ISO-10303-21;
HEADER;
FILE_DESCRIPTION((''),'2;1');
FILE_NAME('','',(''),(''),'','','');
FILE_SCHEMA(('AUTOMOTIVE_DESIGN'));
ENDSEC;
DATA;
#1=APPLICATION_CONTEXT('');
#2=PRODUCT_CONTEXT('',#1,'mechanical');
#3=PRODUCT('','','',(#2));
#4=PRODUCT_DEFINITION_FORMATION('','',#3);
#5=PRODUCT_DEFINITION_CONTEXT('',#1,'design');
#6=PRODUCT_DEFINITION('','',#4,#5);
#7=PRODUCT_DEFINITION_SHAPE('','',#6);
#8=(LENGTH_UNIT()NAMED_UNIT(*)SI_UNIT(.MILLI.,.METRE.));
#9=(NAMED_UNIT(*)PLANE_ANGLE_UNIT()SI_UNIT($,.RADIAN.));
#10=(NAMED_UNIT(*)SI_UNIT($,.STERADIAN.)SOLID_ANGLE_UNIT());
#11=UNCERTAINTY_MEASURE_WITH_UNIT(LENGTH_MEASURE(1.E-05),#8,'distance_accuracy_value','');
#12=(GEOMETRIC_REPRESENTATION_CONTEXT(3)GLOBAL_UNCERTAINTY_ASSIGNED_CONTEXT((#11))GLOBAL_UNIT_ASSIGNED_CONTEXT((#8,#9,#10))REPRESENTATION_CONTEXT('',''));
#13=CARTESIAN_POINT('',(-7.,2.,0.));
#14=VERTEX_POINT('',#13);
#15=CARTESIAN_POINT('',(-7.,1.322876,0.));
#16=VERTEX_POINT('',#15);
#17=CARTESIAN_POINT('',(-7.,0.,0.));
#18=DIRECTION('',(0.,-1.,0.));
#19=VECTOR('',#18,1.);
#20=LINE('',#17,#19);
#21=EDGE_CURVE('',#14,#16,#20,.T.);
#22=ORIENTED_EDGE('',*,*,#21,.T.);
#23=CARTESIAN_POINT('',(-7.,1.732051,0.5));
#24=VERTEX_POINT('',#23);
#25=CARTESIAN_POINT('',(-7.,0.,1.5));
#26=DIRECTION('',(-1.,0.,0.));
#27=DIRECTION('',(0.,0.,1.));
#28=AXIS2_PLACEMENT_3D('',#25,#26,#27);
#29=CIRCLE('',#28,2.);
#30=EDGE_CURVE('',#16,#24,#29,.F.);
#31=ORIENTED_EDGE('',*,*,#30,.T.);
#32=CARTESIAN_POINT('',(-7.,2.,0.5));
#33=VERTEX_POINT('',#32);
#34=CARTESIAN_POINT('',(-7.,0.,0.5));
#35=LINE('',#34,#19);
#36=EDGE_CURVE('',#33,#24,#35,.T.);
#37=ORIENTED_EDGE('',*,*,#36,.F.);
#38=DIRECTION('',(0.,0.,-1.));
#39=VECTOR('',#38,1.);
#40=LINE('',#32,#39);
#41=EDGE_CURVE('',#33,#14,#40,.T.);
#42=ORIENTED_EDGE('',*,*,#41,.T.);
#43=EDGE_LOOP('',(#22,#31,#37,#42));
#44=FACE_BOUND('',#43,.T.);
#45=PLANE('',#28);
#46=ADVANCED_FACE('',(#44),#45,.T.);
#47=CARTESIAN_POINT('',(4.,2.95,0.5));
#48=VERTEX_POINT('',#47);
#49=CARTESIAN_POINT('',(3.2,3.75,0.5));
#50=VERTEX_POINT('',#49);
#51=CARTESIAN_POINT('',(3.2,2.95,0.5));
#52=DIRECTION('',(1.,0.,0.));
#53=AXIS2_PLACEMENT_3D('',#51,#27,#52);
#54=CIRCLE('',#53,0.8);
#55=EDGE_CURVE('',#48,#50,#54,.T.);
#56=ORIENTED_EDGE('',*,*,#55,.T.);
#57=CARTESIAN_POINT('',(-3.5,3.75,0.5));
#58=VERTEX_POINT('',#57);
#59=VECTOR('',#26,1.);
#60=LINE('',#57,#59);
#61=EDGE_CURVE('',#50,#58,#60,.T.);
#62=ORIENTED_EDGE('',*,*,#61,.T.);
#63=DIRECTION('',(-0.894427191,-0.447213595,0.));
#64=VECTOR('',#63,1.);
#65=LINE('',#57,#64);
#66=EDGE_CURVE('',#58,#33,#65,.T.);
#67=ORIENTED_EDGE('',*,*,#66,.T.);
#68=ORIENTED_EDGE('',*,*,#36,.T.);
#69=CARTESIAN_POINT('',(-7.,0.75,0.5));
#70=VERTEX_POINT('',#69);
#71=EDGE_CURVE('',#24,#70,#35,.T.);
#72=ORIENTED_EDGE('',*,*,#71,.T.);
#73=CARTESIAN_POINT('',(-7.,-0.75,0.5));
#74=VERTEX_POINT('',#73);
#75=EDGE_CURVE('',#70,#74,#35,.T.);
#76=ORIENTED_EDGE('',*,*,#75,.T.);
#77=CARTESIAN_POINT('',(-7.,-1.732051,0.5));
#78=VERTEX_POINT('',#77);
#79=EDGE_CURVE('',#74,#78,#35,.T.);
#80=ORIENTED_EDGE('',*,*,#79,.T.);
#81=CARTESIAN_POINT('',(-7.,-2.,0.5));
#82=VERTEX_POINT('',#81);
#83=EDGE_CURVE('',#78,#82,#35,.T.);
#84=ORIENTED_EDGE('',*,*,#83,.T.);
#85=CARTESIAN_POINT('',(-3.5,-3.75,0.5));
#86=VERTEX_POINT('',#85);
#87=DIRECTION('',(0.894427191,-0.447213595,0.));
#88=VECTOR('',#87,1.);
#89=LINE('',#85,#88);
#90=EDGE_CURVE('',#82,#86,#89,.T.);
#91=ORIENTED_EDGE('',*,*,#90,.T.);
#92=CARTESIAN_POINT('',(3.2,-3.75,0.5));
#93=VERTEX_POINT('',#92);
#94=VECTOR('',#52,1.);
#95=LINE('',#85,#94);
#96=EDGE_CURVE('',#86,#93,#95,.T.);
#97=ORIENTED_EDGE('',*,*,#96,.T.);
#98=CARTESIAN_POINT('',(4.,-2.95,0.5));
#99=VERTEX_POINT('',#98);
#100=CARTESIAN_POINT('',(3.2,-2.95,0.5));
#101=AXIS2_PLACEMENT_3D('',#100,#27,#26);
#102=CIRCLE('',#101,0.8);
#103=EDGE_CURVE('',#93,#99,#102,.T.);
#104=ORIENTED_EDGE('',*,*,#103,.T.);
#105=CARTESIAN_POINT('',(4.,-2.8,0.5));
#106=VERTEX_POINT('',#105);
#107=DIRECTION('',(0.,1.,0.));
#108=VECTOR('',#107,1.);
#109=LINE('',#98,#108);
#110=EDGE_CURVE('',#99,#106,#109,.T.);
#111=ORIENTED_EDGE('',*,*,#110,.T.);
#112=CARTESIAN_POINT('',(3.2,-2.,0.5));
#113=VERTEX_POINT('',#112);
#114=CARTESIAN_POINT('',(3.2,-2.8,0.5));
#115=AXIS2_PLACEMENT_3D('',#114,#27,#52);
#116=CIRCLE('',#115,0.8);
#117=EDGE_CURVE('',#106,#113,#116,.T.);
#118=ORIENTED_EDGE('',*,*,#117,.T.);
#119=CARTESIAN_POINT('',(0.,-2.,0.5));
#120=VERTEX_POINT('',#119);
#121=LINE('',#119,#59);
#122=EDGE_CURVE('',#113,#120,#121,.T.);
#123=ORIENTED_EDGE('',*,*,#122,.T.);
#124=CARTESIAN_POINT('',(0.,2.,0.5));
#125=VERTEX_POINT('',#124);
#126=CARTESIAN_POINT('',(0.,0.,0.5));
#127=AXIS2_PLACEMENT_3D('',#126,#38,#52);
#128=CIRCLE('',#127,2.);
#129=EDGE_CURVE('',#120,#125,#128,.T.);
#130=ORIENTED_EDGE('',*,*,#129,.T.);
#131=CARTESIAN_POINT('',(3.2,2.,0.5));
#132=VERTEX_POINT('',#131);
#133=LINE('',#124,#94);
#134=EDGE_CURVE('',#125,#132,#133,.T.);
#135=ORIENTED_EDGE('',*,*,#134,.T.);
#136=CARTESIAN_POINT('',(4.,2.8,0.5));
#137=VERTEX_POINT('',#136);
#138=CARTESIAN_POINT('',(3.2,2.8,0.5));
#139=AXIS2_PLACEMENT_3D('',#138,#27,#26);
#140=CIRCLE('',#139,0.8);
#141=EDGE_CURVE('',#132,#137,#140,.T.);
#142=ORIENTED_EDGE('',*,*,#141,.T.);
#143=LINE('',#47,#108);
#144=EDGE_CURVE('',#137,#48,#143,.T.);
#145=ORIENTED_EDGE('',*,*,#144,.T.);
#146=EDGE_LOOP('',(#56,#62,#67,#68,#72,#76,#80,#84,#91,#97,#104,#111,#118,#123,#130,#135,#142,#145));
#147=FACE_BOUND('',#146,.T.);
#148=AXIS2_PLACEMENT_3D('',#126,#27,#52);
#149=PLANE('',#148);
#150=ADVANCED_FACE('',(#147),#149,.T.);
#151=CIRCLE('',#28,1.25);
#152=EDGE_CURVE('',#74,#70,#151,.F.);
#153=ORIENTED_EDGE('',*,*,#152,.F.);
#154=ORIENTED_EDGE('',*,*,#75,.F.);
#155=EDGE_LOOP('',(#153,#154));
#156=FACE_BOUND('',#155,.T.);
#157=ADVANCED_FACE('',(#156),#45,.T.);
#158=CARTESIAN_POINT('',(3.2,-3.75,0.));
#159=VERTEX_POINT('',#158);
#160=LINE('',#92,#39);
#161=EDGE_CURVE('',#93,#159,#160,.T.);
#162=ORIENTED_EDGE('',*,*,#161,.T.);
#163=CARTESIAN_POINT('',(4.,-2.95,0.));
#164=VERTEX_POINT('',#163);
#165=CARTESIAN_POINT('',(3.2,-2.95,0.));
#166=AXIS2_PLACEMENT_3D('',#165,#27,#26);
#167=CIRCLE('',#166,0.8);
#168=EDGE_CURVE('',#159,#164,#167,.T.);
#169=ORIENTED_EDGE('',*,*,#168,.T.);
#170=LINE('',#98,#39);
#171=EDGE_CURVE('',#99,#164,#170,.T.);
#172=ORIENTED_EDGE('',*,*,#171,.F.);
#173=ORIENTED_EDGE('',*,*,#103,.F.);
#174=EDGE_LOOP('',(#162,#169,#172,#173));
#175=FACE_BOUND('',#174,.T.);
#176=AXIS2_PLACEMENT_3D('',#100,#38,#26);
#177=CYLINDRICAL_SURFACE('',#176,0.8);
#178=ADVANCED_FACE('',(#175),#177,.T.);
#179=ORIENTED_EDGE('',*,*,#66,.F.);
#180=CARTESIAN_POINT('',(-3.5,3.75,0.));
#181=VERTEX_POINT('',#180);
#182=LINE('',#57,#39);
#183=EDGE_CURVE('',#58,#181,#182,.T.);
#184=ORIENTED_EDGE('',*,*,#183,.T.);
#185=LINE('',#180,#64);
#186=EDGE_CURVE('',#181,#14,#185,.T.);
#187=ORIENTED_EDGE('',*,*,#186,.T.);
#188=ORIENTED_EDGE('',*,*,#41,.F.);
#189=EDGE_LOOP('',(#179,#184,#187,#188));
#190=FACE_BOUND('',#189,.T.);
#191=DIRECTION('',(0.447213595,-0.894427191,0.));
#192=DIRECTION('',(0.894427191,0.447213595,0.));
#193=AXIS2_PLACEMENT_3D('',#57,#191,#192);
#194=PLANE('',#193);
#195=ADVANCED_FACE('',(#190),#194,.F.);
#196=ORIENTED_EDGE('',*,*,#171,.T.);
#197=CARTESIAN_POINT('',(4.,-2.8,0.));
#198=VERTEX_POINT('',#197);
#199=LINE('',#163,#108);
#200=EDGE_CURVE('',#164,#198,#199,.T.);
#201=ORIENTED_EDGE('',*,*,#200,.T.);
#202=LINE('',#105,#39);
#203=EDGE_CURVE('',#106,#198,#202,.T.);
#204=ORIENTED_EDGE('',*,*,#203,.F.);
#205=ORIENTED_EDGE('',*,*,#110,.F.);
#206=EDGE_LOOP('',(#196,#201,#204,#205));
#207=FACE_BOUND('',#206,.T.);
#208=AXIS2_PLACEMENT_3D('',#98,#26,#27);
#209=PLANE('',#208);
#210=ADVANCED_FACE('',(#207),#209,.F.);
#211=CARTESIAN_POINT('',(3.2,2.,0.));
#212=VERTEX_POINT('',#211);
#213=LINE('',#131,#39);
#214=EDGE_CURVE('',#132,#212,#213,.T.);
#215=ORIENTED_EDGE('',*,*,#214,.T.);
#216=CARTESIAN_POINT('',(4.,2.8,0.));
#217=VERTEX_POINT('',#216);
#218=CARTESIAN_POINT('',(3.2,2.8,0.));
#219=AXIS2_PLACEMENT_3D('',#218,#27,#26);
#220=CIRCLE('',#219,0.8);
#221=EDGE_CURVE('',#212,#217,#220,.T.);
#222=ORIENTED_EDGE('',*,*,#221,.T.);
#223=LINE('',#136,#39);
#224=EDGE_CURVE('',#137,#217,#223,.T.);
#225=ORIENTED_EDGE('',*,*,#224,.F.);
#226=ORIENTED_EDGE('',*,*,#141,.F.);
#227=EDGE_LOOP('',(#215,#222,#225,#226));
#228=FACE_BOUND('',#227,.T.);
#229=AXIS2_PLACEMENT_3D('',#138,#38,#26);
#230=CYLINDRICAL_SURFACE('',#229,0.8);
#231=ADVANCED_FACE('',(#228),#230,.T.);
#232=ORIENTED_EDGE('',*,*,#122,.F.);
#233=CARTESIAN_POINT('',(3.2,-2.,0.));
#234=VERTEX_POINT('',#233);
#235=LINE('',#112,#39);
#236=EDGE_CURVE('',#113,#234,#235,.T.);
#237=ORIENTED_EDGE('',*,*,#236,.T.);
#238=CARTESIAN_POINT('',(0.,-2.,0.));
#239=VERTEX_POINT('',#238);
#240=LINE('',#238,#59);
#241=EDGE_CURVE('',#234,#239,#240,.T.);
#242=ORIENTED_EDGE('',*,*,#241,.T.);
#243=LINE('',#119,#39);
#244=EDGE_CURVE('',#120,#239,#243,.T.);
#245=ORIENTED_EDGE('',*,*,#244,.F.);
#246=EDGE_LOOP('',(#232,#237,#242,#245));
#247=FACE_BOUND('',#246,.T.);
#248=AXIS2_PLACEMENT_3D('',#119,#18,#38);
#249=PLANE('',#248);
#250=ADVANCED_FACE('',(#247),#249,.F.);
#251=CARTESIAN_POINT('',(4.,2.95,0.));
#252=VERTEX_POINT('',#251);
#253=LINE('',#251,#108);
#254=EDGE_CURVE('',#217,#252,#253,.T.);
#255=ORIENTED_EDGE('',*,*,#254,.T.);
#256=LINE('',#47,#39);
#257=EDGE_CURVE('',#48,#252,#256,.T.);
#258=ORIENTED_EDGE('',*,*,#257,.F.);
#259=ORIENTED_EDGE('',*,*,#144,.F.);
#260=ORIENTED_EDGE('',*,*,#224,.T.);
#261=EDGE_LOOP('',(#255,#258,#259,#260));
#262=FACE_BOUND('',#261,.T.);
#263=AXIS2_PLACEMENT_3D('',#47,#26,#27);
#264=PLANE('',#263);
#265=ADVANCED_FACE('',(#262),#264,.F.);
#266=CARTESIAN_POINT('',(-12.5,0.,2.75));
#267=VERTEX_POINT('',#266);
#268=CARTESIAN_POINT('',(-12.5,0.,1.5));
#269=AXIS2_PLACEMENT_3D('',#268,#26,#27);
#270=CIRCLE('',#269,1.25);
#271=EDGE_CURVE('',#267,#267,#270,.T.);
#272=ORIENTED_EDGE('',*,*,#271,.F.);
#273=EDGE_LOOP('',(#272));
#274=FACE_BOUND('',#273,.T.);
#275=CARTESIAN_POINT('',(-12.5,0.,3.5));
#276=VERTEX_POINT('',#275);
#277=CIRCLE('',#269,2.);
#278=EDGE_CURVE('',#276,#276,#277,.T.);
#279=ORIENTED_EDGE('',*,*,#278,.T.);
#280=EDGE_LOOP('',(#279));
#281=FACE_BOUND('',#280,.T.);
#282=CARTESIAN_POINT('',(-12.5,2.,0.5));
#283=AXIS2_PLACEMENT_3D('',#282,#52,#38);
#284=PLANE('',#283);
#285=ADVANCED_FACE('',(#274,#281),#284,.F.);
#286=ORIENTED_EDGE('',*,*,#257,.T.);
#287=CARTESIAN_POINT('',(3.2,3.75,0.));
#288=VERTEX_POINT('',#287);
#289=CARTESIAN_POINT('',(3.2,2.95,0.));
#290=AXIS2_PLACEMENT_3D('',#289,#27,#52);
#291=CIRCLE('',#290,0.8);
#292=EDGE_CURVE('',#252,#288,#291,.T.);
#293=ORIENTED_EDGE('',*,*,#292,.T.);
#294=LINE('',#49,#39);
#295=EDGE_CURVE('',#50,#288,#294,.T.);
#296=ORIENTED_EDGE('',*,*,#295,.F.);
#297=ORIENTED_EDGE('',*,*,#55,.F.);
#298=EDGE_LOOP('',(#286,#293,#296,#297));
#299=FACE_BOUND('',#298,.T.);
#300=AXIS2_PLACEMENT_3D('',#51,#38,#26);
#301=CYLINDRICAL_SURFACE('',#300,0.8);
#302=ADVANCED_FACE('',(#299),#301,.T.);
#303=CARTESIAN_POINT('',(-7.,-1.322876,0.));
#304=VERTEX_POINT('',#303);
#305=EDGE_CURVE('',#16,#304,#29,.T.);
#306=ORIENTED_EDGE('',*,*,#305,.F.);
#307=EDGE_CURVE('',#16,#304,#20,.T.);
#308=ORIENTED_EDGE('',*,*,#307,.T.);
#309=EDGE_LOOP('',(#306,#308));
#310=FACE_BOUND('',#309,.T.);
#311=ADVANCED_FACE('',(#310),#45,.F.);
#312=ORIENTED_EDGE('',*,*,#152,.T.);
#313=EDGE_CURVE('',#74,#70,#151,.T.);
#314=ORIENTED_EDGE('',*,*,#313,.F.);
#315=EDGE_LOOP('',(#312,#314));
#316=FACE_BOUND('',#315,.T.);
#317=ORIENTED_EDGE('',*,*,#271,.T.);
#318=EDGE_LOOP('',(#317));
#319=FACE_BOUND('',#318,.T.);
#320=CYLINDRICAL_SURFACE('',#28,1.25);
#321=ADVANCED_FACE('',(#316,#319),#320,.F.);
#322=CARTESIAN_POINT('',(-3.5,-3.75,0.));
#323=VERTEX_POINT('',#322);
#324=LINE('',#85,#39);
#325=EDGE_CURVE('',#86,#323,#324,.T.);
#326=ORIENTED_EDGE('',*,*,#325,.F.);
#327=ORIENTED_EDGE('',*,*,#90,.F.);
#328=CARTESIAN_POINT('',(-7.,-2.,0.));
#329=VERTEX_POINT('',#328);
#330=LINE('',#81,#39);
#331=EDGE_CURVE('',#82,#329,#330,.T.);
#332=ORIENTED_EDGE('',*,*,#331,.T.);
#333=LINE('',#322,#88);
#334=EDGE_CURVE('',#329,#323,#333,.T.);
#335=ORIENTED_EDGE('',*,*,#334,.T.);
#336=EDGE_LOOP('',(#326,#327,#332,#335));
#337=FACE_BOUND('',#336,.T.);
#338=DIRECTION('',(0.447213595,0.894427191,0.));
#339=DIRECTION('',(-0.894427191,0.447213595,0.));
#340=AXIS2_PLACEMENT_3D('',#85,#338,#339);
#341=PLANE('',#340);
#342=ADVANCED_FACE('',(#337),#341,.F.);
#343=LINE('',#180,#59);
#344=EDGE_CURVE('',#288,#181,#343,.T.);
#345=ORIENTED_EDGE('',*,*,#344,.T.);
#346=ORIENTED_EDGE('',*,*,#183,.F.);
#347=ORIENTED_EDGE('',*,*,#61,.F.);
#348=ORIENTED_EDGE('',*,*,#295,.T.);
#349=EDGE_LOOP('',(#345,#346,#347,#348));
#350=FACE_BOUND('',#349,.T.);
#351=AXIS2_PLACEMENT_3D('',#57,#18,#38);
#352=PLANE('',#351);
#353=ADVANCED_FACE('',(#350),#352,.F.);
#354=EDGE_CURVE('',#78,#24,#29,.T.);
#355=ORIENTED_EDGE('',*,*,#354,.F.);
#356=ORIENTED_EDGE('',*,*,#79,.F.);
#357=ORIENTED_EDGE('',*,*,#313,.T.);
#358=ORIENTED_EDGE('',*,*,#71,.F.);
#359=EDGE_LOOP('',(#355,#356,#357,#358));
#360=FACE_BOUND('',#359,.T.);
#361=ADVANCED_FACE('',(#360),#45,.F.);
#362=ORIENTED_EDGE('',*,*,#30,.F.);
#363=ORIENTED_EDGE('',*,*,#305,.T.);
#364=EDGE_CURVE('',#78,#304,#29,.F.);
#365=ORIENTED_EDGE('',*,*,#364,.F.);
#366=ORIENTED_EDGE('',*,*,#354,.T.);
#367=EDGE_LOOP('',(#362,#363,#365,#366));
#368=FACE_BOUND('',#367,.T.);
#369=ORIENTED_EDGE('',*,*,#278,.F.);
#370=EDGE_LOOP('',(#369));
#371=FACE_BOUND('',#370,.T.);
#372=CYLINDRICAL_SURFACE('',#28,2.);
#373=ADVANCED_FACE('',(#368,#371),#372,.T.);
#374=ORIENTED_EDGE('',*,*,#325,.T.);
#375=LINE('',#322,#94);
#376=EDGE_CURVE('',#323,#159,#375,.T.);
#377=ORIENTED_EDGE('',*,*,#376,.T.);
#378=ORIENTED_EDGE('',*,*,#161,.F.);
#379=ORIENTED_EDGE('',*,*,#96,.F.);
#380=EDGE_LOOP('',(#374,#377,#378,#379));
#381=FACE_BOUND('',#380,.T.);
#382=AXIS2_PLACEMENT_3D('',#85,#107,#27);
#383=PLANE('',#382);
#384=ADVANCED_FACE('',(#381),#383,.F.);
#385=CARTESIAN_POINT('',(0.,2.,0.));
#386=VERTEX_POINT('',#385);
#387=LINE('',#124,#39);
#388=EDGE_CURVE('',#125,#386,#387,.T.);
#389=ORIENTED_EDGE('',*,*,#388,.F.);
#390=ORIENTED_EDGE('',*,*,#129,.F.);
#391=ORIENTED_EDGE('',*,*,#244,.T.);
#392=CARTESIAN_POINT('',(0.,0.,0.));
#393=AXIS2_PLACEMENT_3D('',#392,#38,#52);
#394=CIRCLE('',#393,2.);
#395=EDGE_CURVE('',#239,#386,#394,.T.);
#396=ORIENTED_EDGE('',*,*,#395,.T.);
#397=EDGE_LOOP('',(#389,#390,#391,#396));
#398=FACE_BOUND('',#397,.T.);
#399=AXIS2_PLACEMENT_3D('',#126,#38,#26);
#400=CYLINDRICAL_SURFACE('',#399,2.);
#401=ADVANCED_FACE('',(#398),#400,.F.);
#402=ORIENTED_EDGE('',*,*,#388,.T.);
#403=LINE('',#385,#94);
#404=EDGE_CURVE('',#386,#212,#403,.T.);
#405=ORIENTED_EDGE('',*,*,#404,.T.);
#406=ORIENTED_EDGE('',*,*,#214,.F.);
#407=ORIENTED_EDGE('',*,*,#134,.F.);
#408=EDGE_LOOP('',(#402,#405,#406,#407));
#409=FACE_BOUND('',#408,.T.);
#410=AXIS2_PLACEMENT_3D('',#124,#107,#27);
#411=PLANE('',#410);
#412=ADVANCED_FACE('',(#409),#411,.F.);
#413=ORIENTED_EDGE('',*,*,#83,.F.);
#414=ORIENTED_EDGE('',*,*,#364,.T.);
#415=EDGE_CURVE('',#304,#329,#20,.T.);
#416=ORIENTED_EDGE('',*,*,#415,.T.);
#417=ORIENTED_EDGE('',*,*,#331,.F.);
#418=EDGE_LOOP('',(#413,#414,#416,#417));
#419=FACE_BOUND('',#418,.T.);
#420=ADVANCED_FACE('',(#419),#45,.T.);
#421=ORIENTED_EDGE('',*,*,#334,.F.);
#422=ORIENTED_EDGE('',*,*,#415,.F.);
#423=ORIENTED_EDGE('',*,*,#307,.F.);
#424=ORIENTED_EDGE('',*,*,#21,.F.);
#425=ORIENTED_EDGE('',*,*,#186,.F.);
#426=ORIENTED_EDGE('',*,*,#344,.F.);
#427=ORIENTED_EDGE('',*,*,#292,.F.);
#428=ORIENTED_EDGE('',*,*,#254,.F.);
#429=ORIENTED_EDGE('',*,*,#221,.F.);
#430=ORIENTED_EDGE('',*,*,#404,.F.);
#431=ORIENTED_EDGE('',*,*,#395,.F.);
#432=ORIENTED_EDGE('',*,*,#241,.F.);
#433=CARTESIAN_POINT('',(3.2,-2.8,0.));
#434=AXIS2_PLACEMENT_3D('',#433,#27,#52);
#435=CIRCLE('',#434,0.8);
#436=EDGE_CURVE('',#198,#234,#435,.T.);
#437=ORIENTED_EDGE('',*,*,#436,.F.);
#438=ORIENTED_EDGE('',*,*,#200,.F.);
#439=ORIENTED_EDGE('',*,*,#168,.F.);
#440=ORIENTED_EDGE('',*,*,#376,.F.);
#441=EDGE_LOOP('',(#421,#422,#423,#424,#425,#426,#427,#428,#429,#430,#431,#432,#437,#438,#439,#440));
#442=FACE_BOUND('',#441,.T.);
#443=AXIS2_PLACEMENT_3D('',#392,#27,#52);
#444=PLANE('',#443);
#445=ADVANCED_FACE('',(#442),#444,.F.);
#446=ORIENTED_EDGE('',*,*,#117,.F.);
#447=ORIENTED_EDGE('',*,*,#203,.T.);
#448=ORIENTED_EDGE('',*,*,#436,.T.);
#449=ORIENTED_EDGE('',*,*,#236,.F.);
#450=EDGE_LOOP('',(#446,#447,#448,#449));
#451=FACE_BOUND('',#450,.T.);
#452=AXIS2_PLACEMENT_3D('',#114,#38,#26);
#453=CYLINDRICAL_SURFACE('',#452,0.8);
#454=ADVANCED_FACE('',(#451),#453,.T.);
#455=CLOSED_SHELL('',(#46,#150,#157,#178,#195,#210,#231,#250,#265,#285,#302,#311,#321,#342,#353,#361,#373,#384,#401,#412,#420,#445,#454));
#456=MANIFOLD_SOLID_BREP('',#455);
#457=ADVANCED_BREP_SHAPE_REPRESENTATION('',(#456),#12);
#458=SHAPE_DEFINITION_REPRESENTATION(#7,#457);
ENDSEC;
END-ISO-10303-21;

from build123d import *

# Parameters (mm, degrees)
EXTRUDE_1_DEPTH     = 0.5
SKETCH_2_R          = 2
SKETCH_2_R_2        = 1.25
EXTRUDE_2_DEPTH     = 5.5
SKETCH_3_R          = 1.25
CUT_EXTRUDE_1_DEPTH = 5.5
SKETCH_4_R          = 4
SKETCH_4_R_2        = 2
CUT_EXTRUDE_2_DEPTH = 5.5


with BuildPart() as part:
    # 草图1 → 凸台-拉伸1 (new body)
    with BuildSketch(Plane.XY):
        with BuildLine():
            Line((0, 2), (3.2, 2))
            ThreePointArc((3.2, 2), (3.765685425, 2.234314575), (4, 2.8))
            Line((4, 2.8), (4, 2.95))
            ThreePointArc((4, 2.95), (3.765685425, 3.515685425), (3.2, 3.75))
            Line((3.2, 3.75), (-3.5, 3.75))
            Line((-3.5, 3.75), (-7, 2))
            Line((-7, 2), (-12.5, 2))
            Line((-12.5, 2), (-12.5, -2))
            Line((-12.5, -2), (-7, -2))
            Line((-7, -2), (-3.5, -3.75))
            Line((-3.5, -3.75), (3.2, -3.75))
            ThreePointArc((3.2, -3.75), (3.765685425, -3.515685425), (4, -2.95))
            Line((4, -2.95), (4, -2.8))
            ThreePointArc((4, -2.8), (3.765685425, -2.234314575), (3.2, -2))
            Line((3.2, -2), (0, -2))
            ThreePointArc((0, -2), (-2, 0), (0, 2))
        make_face()
    extrude(amount=EXTRUDE_1_DEPTH)

    # 草图2 → 凸台-拉伸2 (add)
    with BuildSketch(Plane.ZY.offset(12.5)):
        with Locations((1.5, 0)):
            Circle(SKETCH_2_R)
        with Locations((1.5, 0)):
            Circle(SKETCH_2_R_2, mode=Mode.SUBTRACT)
    extrude(amount=-EXTRUDE_2_DEPTH)

    # 草图3 → 切除-拉伸1 (cut)
    with BuildSketch(Plane.ZY.offset(12.5)):
        with Locations((1.5, 0)):
            Circle(SKETCH_3_R)
    extrude(amount=-CUT_EXTRUDE_1_DEPTH, mode=Mode.SUBTRACT)

    # 草图4 → 切除-拉伸2 (cut)
    with BuildSketch(Plane.ZY.offset(12.5)):
        with Locations((1.5, 0)):
            Circle(SKETCH_4_R)
        with Locations((1.5, 0)):
            Circle(SKETCH_4_R_2, mode=Mode.SUBTRACT)
    extrude(amount=-CUT_EXTRUDE_2_DEPTH, mode=Mode.SUBTRACT)


solid = part.part
